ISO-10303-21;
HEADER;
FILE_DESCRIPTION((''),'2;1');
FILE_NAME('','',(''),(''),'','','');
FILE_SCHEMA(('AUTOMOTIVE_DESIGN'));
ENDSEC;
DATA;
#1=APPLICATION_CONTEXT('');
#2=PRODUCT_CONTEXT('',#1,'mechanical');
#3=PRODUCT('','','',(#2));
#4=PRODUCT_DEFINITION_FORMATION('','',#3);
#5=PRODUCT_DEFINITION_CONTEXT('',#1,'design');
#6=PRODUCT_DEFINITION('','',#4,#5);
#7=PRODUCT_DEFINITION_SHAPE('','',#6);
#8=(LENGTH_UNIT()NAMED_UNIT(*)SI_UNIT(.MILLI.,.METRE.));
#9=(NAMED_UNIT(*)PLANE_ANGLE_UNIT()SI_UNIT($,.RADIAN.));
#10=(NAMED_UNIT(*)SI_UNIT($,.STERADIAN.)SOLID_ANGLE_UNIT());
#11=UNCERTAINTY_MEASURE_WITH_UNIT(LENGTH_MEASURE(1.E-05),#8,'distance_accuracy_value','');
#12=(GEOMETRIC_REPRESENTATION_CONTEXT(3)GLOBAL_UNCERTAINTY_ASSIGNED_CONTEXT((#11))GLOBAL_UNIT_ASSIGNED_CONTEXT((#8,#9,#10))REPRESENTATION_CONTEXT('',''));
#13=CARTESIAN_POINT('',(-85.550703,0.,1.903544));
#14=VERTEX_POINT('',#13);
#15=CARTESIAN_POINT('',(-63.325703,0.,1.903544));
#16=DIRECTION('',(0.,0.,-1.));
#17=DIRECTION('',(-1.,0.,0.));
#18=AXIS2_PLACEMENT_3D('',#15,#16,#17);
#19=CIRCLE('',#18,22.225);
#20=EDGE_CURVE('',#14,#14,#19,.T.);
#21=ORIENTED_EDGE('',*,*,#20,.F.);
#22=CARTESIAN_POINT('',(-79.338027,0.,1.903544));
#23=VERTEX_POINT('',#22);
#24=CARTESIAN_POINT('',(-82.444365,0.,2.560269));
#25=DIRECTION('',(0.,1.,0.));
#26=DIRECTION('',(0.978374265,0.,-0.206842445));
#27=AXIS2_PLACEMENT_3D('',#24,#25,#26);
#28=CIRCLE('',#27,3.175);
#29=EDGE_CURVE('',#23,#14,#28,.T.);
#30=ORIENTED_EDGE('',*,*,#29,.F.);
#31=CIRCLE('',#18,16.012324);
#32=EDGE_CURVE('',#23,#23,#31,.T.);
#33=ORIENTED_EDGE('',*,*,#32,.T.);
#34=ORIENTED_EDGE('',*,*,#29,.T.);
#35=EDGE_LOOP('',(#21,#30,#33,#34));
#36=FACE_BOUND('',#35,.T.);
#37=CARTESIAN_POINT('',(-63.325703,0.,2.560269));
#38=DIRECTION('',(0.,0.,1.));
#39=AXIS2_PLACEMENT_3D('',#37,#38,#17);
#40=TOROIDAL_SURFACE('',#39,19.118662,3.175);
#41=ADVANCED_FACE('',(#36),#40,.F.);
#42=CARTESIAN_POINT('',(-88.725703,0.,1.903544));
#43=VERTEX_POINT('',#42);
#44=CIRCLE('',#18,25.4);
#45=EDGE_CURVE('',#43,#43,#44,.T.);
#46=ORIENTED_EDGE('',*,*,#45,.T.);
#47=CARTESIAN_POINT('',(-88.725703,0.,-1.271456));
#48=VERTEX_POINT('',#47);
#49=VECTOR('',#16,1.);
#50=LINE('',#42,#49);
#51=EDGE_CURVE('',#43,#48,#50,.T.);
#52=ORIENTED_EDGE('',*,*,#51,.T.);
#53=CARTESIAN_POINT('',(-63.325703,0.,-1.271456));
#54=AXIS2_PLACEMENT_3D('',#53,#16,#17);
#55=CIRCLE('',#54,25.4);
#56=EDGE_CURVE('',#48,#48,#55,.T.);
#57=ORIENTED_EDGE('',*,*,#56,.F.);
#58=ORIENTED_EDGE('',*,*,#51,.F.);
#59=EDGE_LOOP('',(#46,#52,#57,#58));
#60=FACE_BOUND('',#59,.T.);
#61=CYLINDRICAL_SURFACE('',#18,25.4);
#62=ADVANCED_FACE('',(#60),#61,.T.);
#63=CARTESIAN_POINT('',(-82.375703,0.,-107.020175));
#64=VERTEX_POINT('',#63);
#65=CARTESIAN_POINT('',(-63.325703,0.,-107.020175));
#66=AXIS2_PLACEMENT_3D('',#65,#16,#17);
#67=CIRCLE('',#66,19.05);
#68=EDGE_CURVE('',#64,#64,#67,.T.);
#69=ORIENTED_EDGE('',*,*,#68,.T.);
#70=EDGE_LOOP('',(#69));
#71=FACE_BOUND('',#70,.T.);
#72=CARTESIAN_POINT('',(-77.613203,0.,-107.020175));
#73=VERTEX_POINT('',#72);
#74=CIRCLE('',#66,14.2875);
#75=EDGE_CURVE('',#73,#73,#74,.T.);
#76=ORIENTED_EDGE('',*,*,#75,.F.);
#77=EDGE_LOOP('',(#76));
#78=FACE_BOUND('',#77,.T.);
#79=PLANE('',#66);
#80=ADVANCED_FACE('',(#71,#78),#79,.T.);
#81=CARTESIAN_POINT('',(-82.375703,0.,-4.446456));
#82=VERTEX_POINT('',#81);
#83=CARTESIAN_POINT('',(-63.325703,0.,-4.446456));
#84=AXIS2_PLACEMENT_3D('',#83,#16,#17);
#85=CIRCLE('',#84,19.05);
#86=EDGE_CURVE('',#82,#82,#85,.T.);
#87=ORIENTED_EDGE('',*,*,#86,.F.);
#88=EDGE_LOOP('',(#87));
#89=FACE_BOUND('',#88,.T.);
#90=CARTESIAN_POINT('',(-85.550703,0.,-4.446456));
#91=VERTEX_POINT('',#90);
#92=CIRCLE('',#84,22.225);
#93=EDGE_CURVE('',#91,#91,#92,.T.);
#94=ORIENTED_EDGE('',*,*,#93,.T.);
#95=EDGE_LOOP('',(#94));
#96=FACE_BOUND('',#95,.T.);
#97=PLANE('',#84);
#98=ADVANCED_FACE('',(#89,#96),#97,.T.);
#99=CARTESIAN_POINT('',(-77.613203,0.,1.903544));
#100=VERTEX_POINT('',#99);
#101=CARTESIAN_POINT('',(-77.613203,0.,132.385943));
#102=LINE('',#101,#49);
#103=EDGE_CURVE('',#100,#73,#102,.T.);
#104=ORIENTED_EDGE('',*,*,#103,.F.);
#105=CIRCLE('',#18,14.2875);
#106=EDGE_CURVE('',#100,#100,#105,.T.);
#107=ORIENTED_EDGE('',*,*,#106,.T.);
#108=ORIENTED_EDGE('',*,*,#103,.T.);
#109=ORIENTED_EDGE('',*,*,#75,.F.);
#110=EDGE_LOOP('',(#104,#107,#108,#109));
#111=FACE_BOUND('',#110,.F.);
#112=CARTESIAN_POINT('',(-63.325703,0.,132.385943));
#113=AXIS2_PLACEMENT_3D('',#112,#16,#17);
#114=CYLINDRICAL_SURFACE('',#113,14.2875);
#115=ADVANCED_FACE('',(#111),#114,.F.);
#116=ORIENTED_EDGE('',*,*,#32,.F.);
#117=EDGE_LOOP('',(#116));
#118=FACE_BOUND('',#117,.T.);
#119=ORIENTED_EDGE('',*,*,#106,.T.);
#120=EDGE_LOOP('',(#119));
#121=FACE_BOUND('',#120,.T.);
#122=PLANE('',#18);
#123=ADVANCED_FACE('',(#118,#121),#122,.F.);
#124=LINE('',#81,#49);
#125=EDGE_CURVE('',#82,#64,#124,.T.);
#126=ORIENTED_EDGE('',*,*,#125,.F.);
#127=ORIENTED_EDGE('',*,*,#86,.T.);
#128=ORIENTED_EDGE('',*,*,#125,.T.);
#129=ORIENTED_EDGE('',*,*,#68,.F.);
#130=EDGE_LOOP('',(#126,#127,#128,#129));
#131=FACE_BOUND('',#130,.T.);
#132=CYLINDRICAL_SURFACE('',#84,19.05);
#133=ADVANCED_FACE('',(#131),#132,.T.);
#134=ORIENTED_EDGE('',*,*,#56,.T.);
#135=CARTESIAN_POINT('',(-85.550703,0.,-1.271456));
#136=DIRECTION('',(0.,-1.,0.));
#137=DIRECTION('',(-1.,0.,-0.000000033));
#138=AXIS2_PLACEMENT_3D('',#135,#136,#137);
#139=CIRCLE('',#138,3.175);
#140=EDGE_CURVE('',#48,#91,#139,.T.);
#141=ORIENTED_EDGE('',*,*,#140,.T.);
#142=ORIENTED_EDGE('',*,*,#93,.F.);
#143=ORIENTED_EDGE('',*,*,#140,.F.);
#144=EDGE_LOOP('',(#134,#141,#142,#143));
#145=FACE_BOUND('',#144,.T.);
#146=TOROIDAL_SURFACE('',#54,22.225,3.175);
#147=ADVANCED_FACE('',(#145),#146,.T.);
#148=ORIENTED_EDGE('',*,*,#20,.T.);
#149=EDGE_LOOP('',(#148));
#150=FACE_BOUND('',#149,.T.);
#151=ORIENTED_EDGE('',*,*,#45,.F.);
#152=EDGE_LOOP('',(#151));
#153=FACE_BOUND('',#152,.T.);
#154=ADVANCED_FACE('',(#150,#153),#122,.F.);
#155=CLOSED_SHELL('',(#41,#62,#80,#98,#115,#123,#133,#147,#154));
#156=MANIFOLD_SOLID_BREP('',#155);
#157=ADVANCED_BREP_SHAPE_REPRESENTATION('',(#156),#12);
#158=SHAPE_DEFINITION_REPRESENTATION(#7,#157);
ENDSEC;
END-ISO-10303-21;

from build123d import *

# Parameters (mm, degrees)
F3_D = 28.575


with BuildPart() as f1:
    # F0 (on Front) → F1 (revolve)
    with BuildSketch(Plane.XZ):
        with BuildLine():
            Line((-85.550703, 1.903544), (-88.725703, 1.903544))
            Line((-88.725703, 1.903544), (-88.725703, -1.271456))
            ThreePointArc((-88.725703, -1.271456), (-87.795767, -3.51652), (-85.550703, -4.446456))
            Line((-85.550703, -4.446456), (-82.375703, -4.446456))
            Line((-82.375703, -4.446456), (-82.375703, -107.020175))
            Line((-82.375703, -107.020175), (-63.325703, -107.020175))
            Line((-63.325703, -107.020175), (-63.325703, 1.903544))
            Line((-63.325703, 1.903544), (-79.338027, 1.903544))
            ThreePointArc((-79.338027, 1.903544), (-82.444365, -0.614731), (-85.550703, 1.903544))
        make_face()
    revolve(axis=Axis((-63.325703, 0, -54.762168), (0, 0, -1)))

    # F3 (through all)
    with Locations(Plane.XY.offset(1.903544)):
        with Locations((-63.325703, 0)):
            Hole(F3_D / 2)


solid = f1.part
